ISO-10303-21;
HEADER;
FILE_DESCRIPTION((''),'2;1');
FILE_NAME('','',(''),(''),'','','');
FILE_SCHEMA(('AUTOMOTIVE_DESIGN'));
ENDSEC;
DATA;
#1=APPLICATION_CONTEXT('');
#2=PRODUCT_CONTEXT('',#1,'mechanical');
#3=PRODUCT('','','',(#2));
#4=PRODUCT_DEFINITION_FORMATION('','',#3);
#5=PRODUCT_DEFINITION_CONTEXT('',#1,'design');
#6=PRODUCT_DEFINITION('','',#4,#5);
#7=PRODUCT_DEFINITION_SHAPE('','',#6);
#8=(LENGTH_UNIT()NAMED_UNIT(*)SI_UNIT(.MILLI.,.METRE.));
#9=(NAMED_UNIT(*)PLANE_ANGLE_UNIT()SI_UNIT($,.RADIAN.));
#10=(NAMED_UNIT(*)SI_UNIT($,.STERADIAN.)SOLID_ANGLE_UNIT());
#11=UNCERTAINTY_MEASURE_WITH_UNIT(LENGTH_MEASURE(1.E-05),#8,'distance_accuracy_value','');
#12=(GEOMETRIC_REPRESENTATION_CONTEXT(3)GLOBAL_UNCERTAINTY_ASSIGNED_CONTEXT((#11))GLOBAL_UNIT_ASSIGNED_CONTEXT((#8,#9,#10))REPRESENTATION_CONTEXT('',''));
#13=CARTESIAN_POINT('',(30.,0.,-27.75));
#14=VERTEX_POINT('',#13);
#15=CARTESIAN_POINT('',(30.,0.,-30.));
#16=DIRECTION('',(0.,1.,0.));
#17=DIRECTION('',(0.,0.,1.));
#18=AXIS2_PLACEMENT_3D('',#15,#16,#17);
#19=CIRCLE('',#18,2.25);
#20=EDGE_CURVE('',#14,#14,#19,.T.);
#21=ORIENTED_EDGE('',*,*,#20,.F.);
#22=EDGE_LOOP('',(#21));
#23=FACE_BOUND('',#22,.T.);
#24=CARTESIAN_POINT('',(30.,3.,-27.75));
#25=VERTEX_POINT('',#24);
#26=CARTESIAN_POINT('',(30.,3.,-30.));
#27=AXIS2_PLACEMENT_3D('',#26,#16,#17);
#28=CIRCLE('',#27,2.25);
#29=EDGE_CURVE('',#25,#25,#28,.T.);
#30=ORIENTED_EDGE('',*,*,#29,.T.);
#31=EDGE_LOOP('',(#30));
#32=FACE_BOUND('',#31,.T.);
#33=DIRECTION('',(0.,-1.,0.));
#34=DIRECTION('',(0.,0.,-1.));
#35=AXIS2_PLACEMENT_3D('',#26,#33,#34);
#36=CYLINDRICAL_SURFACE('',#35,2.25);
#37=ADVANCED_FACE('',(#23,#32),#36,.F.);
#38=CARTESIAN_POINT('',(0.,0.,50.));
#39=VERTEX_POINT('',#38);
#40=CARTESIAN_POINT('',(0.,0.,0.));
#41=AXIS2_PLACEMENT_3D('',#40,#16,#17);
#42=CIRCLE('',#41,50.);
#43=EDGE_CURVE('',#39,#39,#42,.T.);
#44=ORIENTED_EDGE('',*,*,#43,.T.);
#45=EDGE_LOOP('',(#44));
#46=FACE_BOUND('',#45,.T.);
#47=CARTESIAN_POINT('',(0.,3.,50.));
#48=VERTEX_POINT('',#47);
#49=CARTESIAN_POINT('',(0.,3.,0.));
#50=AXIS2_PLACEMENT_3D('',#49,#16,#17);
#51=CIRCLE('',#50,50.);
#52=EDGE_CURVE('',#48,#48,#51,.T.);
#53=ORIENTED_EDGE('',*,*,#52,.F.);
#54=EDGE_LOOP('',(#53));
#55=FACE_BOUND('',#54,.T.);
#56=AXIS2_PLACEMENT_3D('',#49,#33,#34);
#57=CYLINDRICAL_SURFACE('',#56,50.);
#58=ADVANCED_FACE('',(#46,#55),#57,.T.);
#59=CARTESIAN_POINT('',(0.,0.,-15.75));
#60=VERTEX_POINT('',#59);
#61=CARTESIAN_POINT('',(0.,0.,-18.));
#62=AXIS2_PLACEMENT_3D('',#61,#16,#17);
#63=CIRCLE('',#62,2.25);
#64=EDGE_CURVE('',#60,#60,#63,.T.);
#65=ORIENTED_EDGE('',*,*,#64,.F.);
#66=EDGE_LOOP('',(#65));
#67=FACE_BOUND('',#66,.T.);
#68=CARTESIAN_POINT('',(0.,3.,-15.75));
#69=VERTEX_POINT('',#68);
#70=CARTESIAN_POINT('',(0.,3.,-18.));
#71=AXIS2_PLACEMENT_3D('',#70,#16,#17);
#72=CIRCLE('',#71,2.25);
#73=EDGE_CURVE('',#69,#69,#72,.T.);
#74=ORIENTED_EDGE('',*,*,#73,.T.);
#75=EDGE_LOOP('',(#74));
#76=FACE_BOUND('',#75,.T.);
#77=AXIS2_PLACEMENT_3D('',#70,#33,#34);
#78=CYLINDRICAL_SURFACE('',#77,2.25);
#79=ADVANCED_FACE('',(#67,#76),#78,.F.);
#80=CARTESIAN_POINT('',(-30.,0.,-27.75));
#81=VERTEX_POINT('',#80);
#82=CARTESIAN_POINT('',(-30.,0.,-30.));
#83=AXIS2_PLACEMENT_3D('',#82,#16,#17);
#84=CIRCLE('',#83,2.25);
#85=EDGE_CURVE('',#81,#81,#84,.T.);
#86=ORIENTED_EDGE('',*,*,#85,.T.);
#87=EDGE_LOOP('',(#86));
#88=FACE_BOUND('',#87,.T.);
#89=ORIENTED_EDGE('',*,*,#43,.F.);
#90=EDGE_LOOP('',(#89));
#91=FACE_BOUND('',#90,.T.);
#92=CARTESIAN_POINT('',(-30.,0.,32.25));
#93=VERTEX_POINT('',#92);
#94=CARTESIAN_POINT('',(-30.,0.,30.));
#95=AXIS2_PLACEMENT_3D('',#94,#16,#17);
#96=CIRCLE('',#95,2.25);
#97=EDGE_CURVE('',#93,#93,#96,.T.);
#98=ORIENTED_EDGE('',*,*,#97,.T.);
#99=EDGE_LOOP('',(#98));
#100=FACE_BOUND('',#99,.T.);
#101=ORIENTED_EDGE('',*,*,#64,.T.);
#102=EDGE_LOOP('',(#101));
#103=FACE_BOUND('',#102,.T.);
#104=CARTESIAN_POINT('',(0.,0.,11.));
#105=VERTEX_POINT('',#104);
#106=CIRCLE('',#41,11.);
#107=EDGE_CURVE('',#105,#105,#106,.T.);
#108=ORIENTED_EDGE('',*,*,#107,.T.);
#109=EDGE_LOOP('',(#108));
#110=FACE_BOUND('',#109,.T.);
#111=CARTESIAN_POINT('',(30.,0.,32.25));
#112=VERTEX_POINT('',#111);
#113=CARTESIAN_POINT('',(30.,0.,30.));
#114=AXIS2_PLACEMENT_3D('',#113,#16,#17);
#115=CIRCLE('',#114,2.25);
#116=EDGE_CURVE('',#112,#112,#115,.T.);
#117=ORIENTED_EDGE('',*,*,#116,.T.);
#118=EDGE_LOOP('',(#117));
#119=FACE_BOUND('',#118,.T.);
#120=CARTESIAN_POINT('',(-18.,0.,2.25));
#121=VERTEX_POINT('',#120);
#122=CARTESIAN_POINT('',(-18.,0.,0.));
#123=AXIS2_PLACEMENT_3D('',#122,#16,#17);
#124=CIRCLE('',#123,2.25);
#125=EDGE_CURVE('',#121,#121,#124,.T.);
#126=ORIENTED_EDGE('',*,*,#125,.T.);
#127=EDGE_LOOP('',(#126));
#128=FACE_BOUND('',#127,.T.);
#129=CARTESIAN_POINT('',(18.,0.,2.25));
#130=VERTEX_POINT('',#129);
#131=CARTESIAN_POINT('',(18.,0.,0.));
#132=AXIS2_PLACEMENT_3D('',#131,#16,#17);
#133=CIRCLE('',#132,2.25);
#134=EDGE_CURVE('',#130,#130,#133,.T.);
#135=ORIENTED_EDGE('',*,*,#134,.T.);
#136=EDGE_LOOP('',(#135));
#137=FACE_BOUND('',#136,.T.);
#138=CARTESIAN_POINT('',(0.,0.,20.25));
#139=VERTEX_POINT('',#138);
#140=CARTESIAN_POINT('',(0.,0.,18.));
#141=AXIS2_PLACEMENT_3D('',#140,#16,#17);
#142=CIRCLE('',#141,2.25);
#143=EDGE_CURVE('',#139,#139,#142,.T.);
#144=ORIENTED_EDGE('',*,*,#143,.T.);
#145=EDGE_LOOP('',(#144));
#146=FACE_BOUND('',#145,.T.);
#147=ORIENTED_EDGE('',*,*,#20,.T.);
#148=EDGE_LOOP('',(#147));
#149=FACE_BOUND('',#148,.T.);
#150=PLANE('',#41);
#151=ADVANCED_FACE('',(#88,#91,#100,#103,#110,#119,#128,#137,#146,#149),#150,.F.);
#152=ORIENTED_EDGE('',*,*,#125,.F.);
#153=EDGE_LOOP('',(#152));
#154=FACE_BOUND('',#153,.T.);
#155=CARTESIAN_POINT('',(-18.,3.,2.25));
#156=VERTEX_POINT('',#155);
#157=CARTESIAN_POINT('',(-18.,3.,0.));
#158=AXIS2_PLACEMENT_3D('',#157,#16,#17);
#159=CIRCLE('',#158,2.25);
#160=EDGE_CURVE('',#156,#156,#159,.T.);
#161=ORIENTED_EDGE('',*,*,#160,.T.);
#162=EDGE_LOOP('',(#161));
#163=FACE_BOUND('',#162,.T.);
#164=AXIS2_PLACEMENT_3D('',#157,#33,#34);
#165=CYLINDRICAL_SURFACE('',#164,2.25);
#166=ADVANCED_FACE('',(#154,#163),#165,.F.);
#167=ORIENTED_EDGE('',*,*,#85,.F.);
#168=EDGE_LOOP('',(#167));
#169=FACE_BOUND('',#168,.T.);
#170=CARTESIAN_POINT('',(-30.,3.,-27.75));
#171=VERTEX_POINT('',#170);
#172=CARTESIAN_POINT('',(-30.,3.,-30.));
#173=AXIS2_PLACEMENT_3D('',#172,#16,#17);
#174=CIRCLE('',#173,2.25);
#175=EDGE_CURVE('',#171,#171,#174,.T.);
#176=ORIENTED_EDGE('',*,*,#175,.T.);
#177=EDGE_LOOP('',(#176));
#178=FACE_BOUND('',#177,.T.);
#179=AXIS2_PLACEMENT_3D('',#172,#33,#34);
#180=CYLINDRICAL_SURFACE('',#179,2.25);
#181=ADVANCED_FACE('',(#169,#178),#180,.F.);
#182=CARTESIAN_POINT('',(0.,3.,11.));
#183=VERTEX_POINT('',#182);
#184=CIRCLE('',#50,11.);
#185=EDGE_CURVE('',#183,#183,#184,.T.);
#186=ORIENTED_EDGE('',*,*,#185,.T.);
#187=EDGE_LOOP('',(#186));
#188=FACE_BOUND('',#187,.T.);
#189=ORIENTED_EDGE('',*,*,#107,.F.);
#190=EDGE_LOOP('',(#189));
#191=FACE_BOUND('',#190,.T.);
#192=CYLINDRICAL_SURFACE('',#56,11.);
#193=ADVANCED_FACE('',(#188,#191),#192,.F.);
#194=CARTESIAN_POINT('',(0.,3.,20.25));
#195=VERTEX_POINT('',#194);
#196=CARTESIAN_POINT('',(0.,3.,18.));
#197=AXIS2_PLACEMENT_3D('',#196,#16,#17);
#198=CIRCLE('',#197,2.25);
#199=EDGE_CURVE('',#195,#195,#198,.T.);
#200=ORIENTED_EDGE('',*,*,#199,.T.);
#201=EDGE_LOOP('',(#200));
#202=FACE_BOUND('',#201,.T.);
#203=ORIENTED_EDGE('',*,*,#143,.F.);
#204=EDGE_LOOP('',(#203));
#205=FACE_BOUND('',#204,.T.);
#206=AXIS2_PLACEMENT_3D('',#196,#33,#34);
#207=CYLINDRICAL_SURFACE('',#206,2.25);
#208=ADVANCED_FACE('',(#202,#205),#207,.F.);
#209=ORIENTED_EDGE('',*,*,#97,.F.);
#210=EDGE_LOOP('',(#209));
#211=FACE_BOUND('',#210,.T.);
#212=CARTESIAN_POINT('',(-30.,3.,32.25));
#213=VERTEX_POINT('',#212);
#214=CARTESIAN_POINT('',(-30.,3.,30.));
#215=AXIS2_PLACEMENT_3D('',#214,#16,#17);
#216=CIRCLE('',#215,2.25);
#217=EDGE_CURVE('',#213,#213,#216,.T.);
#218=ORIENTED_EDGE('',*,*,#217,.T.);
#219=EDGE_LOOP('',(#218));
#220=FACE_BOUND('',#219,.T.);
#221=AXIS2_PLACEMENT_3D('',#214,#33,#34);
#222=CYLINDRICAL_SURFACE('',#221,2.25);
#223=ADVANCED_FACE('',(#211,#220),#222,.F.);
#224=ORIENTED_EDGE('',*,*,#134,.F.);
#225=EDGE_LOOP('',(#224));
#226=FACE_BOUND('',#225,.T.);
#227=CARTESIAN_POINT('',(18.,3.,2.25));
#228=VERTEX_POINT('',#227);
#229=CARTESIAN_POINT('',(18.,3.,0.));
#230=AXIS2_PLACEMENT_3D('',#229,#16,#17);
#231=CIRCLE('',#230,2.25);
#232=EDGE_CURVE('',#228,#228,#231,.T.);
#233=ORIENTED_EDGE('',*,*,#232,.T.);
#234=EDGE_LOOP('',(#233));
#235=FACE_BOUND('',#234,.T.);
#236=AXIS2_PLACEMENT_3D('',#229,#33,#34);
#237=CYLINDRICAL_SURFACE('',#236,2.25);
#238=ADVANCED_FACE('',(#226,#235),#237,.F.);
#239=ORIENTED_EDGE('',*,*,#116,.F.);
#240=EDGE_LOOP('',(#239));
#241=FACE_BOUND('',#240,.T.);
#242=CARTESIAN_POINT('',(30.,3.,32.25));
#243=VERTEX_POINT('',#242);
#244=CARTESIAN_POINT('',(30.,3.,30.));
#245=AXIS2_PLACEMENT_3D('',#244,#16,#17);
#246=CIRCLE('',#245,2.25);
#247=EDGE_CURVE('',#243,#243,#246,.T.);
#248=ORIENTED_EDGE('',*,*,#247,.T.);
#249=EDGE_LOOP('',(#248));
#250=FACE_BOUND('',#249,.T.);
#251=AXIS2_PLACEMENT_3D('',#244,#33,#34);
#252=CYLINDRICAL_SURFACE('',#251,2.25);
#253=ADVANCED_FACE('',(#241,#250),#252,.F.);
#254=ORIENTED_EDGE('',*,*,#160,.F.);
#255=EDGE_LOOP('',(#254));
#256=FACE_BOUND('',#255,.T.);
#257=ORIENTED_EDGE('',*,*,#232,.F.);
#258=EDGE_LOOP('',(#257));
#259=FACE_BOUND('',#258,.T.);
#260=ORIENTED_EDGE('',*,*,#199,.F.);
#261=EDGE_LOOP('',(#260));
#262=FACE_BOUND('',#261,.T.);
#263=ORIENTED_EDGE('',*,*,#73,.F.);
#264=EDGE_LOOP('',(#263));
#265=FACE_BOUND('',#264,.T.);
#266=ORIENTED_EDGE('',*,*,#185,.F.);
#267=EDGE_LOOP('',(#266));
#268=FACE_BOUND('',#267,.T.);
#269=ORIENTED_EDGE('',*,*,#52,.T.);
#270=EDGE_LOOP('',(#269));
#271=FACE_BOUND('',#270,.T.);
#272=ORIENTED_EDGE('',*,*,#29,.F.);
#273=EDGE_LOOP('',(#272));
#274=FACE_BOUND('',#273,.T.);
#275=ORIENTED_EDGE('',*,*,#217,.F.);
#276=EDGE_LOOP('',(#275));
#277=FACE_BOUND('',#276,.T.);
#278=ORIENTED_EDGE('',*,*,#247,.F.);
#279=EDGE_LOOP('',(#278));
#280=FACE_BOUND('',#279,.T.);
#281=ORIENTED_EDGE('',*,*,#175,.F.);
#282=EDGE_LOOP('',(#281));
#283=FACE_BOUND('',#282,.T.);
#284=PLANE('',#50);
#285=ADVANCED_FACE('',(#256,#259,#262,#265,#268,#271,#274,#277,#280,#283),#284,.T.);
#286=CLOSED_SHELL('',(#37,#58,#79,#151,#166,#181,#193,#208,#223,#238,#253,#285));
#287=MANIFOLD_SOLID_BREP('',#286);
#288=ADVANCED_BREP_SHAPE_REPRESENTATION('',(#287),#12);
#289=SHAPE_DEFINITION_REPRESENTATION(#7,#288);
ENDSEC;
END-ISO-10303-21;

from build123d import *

# Parameters (mm, degrees)
SKETCH_1_R          = 50
EXTRUDE_2_DEPTH     = 3
SKETCH_3_R          = 2.25
CUT_EXTRUDE_1_DEPTH = 71.774289117
SKETCH_4_R          = 11
CUT_EXTRUDE_2_DEPTH = 71.774289117


with BuildPart() as part:
    # 草图1 → 凸台-拉伸2 (new body)
    with BuildSketch(Plane(origin=(0, 0, 0), x_dir=(1, 0, 0), z_dir=(0, 1, 0))):
        with Locations(Location((0, 0, 0), (0, 0, 270))):
            Circle(SKETCH_1_R)
    extrude(amount=EXTRUDE_2_DEPTH)

    # 草图3 → 切除-拉伸1 (cut, through all)
    with BuildSketch(Plane(origin=(0, 0, 0), x_dir=(1, 0, 0), z_dir=(0, 1, 0))):
        with Locations(Location((-18, 0, 0), (0, 0, 270))):
            Circle(SKETCH_3_R)
        with Locations(Location((-30, 30, 0), (0, 0, 270))):
            Circle(SKETCH_3_R)
        with Locations(Location((30, 30, 0), (0, 0, 270))):
            Circle(SKETCH_3_R)
        with Locations(Location((30, -30, 0), (0, 0, 270))):
            Circle(SKETCH_3_R)
        with Locations(Location((-30, -30, 0), (0, 0, 270))):
            Circle(SKETCH_3_R)
        with Locations(Location((0, 18, 0), (0, 0, 270))):
            Circle(SKETCH_3_R)
        with Locations(Location((18, 0, 0), (0, 0, 270))):
            Circle(SKETCH_3_R)
        with Locations(Location((0, -18, 0), (0, 0, 270))):
            Circle(SKETCH_3_R)
    extrude(amount=CUT_EXTRUDE_1_DEPTH, mode=Mode.SUBTRACT)

    # 草图4 → 切除-拉伸2 (cut, through all)
    with BuildSketch(Plane(origin=(0, 0, 0), x_dir=(1, 0, 0), z_dir=(0, 1, 0))):
        with Locations(Location((0, 0, 0), (0, 0, 270))):
            Circle(SKETCH_4_R)
    extrude(amount=CUT_EXTRUDE_2_DEPTH, mode=Mode.SUBTRACT)


solid = part.part
